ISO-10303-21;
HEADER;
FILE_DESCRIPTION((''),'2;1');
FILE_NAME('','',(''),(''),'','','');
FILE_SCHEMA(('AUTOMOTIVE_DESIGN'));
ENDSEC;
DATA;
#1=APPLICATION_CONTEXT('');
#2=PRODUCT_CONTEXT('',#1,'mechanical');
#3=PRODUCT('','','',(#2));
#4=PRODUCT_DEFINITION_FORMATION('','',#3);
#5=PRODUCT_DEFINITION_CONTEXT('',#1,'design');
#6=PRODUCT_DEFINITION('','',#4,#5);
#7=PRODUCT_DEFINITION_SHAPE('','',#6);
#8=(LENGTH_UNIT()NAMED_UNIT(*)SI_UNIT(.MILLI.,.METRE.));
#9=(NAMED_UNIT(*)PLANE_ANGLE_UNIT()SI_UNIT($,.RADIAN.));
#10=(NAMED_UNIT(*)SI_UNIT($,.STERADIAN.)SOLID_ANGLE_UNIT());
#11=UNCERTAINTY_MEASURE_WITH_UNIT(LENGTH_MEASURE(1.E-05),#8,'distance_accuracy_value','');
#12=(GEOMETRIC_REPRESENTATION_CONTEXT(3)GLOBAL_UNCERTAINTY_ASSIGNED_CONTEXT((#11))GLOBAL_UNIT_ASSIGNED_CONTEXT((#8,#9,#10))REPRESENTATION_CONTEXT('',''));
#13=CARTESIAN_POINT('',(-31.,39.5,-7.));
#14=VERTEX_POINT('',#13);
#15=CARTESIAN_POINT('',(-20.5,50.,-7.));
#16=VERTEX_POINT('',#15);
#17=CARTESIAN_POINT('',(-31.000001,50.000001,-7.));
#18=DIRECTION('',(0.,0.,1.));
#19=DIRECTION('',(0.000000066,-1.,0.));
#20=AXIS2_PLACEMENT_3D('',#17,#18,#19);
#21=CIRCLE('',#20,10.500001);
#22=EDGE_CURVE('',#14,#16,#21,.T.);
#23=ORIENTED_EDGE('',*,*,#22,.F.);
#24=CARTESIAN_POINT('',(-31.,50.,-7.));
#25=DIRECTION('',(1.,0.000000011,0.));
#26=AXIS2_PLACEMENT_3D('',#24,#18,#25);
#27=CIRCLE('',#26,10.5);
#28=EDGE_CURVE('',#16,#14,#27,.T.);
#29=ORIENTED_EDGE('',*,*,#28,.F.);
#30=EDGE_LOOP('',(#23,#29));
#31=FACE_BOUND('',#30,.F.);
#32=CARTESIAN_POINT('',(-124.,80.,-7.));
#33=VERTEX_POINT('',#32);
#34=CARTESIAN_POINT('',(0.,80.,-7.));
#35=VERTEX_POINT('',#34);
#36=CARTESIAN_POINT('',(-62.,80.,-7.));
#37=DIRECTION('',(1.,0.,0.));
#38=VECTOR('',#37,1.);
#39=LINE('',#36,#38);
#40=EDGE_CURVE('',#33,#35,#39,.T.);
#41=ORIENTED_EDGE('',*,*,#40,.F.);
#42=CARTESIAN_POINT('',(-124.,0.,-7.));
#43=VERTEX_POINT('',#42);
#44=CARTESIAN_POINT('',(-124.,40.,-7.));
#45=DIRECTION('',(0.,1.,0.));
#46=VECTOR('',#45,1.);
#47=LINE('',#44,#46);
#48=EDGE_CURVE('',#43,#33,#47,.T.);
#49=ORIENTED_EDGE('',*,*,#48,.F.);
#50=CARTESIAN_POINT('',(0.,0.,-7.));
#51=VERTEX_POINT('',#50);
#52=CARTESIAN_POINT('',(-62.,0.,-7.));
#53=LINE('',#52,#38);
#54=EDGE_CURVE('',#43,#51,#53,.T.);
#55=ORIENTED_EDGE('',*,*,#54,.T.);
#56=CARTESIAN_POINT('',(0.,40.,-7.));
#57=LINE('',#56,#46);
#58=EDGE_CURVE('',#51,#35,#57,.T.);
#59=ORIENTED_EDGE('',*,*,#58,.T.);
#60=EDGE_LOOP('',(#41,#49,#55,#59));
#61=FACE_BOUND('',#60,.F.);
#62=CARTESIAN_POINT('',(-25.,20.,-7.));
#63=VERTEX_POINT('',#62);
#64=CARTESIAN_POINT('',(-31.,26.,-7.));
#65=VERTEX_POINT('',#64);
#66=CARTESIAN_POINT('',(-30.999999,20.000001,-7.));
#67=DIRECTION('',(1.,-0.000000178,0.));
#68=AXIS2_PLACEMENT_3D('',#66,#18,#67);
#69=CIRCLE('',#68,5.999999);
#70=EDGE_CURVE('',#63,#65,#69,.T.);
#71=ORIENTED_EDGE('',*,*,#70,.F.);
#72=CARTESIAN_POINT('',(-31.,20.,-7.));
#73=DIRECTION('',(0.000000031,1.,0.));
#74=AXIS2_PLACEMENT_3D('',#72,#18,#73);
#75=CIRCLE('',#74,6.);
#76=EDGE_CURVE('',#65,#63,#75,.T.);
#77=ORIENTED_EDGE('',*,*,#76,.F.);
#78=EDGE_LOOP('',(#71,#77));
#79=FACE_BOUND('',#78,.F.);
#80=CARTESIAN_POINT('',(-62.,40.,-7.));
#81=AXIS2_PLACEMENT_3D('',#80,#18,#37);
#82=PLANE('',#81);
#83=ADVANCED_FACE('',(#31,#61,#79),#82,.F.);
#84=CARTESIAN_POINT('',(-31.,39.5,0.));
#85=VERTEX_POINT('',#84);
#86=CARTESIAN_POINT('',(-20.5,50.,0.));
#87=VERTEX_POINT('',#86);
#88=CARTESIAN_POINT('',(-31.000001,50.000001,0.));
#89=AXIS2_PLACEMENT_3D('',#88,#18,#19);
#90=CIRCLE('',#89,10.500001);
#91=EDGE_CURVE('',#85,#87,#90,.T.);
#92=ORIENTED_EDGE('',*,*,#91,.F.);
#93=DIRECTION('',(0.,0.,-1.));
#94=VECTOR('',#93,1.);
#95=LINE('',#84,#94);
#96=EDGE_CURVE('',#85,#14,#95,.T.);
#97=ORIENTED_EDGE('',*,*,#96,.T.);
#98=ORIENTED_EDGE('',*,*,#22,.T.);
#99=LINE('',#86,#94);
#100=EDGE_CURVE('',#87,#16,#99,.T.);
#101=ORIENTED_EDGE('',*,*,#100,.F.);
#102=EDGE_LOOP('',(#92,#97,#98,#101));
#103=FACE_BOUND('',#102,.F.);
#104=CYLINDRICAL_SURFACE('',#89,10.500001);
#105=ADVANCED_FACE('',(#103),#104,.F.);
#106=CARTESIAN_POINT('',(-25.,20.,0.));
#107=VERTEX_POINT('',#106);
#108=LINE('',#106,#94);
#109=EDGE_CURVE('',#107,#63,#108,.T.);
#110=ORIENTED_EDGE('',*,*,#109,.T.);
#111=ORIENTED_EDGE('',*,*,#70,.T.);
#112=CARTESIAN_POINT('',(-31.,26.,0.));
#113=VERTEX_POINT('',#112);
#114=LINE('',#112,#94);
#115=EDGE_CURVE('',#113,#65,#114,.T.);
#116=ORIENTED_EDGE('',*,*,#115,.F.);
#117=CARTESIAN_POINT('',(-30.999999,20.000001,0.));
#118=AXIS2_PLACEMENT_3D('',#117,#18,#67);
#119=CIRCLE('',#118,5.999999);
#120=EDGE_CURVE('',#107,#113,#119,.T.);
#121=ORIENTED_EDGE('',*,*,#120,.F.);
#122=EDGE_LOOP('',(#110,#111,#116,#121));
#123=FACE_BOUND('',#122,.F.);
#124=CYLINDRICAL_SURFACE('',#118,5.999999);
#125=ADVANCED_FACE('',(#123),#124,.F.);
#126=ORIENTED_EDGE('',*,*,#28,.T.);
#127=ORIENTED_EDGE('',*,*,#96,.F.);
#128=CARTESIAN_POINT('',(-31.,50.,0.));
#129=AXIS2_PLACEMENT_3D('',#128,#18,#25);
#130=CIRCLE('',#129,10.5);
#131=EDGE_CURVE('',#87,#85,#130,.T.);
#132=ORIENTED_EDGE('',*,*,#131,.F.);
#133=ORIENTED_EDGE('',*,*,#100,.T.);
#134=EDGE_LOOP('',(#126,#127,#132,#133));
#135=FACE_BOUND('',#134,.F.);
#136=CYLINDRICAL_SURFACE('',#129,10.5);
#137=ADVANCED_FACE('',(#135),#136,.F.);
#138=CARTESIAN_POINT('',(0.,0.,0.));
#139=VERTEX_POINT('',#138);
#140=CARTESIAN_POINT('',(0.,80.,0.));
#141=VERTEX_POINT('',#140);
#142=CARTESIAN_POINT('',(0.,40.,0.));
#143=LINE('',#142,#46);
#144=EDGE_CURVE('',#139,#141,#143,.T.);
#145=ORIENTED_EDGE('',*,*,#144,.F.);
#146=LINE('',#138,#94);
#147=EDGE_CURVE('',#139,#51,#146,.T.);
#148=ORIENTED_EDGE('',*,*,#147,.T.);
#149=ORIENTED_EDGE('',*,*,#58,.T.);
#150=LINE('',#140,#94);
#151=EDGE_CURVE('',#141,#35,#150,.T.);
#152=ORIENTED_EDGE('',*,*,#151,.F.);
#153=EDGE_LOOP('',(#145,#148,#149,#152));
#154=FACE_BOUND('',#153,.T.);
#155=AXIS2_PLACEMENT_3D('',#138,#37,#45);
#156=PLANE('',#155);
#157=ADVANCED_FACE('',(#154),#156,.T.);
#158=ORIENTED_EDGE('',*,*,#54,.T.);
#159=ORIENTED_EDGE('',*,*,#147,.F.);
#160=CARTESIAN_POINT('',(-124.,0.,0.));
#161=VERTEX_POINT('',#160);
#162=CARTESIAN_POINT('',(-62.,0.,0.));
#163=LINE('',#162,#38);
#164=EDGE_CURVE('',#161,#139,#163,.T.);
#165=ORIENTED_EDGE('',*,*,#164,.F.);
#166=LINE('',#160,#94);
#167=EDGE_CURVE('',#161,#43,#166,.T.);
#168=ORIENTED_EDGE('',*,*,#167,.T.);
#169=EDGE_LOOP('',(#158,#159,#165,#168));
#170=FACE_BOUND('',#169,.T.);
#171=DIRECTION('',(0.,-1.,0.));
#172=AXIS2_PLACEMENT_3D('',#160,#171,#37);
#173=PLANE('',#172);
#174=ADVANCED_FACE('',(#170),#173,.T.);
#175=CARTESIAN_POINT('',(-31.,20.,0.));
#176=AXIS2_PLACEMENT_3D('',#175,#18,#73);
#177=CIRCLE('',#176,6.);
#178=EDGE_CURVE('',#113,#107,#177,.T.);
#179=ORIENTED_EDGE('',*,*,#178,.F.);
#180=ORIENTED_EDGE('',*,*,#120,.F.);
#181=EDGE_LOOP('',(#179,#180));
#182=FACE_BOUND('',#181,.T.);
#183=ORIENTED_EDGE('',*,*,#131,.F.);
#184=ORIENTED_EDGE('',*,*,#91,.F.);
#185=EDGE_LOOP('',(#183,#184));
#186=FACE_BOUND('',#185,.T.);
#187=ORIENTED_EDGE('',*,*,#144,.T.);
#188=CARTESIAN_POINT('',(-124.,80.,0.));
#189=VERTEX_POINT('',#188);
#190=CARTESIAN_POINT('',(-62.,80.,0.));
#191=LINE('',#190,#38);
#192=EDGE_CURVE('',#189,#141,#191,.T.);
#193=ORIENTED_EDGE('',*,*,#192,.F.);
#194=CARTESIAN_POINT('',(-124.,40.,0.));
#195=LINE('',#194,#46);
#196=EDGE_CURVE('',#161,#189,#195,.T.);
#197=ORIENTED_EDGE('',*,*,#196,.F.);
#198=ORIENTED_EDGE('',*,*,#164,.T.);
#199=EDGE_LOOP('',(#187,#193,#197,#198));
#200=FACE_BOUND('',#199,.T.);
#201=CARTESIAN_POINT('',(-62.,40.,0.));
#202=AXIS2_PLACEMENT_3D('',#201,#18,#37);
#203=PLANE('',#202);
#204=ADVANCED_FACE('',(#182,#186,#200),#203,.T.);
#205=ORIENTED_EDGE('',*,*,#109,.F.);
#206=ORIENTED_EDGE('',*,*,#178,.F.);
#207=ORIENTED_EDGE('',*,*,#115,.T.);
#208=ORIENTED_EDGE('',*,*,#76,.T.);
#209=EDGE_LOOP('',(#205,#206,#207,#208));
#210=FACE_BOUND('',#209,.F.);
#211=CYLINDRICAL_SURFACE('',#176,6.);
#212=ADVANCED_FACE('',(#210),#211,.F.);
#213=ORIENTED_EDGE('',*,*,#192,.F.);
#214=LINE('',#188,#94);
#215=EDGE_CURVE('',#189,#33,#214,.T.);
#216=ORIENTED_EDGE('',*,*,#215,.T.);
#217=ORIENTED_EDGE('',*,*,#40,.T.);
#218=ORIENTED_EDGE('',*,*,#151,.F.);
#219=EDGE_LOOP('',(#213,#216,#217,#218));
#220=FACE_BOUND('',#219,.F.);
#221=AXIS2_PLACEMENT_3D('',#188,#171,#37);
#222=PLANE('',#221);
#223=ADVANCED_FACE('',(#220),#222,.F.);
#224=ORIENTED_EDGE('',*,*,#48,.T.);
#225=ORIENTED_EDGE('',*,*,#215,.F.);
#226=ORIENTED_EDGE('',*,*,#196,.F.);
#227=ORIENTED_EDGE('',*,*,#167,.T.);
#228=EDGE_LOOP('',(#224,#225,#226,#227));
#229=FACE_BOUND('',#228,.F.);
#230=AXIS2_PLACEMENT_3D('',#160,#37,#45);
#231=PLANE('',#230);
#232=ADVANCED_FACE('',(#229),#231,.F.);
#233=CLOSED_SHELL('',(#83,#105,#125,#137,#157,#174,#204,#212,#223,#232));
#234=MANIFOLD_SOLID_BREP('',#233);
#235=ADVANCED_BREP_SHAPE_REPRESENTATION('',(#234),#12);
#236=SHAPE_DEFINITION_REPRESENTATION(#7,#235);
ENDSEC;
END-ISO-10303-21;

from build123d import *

# Parameters (mm, degrees)
F0_W     = 124
F0_H     = 80
F1_DEPTH = 7
F5_DEPTH = 25


with BuildPart() as f1:
    # F0 (on Top) → F1 (new body)
    with BuildSketch(Plane.XY):
        with Locations((-62, 40)):
            Rectangle(F0_W, F0_H)
    extrude(amount=-F1_DEPTH)


with BuildPart() as f2_1:
    # F2: copy of F1
    add(f1.part)

    # F4 (on face) → F5 (cut)
    with BuildSketch(Plane.XY):
        with BuildLine():
            ThreePointArc((-20.5, 50), (-38.424621, 57.424621), (-31, 39.5))
            ThreePointArc((-31, 39.5), (-23.575379, 42.575379), (-20.5, 50))
        make_face()
        with BuildLine():
            ThreePointArc((-25, 20), (-26.757359, 24.242641), (-31, 26))
            ThreePointArc((-31, 26), (-35.242641, 15.757359), (-25, 20))
        make_face()
    extrude(amount=-F5_DEPTH, mode=Mode.SUBTRACT)


solid = f2_1.part
